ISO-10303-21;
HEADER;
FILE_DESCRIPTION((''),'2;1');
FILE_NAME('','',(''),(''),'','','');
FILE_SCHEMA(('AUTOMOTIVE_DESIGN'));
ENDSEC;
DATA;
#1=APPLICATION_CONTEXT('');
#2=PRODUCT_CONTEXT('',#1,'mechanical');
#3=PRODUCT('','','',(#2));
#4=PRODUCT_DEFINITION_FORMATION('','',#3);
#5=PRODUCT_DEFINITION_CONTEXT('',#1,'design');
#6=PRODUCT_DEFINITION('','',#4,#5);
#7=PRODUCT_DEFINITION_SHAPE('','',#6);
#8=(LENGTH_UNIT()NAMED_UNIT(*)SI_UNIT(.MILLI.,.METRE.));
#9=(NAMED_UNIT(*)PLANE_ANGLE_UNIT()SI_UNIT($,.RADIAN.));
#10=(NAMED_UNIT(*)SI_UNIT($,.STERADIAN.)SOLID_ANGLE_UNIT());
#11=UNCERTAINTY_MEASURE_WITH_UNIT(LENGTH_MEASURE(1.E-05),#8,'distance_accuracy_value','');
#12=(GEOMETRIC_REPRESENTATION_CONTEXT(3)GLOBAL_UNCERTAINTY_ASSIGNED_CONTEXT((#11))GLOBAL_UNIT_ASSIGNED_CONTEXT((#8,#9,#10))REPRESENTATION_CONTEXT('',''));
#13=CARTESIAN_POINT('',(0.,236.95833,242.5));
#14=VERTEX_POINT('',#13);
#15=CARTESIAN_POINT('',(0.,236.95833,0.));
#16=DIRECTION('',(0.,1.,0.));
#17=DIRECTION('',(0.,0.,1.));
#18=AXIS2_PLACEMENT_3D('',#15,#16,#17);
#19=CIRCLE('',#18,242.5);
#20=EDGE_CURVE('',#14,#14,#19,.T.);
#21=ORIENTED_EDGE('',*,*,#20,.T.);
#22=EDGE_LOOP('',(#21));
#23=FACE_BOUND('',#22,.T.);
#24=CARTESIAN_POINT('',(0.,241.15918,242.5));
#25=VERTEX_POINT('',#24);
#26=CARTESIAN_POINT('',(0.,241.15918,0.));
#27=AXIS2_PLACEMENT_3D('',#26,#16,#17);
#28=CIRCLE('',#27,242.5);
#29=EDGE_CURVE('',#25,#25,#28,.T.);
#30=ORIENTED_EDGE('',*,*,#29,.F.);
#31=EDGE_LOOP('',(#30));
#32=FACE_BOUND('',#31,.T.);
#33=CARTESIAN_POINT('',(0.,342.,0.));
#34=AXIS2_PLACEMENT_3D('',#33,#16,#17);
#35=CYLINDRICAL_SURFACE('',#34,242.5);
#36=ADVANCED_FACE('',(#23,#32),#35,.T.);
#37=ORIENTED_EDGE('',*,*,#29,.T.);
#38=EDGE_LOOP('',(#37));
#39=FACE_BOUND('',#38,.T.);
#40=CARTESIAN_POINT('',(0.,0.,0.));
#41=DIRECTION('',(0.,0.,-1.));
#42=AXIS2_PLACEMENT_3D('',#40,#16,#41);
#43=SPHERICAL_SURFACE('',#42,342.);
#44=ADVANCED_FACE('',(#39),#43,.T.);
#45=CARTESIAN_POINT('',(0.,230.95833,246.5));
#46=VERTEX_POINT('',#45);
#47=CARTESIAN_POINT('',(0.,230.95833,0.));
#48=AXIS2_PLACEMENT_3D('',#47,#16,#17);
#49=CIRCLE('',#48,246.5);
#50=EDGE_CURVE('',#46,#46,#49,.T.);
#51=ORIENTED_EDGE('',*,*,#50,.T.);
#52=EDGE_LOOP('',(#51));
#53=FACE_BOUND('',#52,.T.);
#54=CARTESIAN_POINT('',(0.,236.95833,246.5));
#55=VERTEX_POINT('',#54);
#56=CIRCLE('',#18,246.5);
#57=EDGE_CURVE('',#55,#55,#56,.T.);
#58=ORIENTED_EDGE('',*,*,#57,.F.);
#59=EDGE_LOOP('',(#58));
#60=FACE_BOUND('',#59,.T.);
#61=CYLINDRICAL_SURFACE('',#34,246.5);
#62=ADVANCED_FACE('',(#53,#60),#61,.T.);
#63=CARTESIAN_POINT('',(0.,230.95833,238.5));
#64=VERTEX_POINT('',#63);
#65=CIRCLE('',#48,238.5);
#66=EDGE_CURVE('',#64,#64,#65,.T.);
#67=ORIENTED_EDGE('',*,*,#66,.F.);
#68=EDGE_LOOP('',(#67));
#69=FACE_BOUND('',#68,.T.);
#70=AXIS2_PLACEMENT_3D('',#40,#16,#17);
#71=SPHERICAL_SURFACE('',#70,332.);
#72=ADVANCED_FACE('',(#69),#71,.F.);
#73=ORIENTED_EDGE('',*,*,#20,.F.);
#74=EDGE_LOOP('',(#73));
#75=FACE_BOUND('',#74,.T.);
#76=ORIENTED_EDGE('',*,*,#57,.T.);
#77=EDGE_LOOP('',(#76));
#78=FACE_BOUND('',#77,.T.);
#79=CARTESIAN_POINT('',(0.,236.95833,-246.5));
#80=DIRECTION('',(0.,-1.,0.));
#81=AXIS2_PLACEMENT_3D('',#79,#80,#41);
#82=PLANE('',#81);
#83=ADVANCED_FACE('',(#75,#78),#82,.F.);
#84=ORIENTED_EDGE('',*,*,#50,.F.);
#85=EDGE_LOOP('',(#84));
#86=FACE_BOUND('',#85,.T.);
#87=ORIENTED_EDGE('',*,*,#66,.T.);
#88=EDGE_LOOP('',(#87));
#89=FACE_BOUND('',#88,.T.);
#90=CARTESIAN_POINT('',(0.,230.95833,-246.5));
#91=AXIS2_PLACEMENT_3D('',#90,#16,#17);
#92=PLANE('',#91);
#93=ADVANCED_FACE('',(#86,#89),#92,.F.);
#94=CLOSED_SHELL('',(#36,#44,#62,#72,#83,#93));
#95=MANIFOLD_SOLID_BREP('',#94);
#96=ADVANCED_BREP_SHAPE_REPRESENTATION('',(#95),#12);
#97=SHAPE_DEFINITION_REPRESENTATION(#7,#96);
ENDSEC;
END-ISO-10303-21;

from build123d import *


with BuildPart() as part:
    # Sketch2 → Revolve1 (revolve)
    with BuildSketch(Plane(origin=(0, 0, 0), x_dir=(0, 0, -1), z_dir=(1, 0, 0)), mode=Mode.PRIVATE) as revolve1_sk:
        with BuildLine():
            Line((246.5, 236.958329575), (242.5, 236.958329575))
            Line((242.5, 236.958329575), (242.5, 241.159179796))
            ThreePointArc((242.5, 241.159179796), (131.315575066, 315.785084741), (0, 342))
            Line((0, 342), (0, 332))
            ThreePointArc((0, 332), (129.51029801, 305.69769824), (238.5, 230.958329575))
            Line((238.5, 230.958329575), (246.5, 230.958329575))
            Line((246.5, 230.958329575), (246.5, 236.958329575))
        make_face()
    revolve(revolve1_sk.sketch.rotate(Axis((0, 342, 0), (0, -1, 0)), 180), axis=Axis((0, 342, 0), (0, -1, 0)))


solid = part.part
